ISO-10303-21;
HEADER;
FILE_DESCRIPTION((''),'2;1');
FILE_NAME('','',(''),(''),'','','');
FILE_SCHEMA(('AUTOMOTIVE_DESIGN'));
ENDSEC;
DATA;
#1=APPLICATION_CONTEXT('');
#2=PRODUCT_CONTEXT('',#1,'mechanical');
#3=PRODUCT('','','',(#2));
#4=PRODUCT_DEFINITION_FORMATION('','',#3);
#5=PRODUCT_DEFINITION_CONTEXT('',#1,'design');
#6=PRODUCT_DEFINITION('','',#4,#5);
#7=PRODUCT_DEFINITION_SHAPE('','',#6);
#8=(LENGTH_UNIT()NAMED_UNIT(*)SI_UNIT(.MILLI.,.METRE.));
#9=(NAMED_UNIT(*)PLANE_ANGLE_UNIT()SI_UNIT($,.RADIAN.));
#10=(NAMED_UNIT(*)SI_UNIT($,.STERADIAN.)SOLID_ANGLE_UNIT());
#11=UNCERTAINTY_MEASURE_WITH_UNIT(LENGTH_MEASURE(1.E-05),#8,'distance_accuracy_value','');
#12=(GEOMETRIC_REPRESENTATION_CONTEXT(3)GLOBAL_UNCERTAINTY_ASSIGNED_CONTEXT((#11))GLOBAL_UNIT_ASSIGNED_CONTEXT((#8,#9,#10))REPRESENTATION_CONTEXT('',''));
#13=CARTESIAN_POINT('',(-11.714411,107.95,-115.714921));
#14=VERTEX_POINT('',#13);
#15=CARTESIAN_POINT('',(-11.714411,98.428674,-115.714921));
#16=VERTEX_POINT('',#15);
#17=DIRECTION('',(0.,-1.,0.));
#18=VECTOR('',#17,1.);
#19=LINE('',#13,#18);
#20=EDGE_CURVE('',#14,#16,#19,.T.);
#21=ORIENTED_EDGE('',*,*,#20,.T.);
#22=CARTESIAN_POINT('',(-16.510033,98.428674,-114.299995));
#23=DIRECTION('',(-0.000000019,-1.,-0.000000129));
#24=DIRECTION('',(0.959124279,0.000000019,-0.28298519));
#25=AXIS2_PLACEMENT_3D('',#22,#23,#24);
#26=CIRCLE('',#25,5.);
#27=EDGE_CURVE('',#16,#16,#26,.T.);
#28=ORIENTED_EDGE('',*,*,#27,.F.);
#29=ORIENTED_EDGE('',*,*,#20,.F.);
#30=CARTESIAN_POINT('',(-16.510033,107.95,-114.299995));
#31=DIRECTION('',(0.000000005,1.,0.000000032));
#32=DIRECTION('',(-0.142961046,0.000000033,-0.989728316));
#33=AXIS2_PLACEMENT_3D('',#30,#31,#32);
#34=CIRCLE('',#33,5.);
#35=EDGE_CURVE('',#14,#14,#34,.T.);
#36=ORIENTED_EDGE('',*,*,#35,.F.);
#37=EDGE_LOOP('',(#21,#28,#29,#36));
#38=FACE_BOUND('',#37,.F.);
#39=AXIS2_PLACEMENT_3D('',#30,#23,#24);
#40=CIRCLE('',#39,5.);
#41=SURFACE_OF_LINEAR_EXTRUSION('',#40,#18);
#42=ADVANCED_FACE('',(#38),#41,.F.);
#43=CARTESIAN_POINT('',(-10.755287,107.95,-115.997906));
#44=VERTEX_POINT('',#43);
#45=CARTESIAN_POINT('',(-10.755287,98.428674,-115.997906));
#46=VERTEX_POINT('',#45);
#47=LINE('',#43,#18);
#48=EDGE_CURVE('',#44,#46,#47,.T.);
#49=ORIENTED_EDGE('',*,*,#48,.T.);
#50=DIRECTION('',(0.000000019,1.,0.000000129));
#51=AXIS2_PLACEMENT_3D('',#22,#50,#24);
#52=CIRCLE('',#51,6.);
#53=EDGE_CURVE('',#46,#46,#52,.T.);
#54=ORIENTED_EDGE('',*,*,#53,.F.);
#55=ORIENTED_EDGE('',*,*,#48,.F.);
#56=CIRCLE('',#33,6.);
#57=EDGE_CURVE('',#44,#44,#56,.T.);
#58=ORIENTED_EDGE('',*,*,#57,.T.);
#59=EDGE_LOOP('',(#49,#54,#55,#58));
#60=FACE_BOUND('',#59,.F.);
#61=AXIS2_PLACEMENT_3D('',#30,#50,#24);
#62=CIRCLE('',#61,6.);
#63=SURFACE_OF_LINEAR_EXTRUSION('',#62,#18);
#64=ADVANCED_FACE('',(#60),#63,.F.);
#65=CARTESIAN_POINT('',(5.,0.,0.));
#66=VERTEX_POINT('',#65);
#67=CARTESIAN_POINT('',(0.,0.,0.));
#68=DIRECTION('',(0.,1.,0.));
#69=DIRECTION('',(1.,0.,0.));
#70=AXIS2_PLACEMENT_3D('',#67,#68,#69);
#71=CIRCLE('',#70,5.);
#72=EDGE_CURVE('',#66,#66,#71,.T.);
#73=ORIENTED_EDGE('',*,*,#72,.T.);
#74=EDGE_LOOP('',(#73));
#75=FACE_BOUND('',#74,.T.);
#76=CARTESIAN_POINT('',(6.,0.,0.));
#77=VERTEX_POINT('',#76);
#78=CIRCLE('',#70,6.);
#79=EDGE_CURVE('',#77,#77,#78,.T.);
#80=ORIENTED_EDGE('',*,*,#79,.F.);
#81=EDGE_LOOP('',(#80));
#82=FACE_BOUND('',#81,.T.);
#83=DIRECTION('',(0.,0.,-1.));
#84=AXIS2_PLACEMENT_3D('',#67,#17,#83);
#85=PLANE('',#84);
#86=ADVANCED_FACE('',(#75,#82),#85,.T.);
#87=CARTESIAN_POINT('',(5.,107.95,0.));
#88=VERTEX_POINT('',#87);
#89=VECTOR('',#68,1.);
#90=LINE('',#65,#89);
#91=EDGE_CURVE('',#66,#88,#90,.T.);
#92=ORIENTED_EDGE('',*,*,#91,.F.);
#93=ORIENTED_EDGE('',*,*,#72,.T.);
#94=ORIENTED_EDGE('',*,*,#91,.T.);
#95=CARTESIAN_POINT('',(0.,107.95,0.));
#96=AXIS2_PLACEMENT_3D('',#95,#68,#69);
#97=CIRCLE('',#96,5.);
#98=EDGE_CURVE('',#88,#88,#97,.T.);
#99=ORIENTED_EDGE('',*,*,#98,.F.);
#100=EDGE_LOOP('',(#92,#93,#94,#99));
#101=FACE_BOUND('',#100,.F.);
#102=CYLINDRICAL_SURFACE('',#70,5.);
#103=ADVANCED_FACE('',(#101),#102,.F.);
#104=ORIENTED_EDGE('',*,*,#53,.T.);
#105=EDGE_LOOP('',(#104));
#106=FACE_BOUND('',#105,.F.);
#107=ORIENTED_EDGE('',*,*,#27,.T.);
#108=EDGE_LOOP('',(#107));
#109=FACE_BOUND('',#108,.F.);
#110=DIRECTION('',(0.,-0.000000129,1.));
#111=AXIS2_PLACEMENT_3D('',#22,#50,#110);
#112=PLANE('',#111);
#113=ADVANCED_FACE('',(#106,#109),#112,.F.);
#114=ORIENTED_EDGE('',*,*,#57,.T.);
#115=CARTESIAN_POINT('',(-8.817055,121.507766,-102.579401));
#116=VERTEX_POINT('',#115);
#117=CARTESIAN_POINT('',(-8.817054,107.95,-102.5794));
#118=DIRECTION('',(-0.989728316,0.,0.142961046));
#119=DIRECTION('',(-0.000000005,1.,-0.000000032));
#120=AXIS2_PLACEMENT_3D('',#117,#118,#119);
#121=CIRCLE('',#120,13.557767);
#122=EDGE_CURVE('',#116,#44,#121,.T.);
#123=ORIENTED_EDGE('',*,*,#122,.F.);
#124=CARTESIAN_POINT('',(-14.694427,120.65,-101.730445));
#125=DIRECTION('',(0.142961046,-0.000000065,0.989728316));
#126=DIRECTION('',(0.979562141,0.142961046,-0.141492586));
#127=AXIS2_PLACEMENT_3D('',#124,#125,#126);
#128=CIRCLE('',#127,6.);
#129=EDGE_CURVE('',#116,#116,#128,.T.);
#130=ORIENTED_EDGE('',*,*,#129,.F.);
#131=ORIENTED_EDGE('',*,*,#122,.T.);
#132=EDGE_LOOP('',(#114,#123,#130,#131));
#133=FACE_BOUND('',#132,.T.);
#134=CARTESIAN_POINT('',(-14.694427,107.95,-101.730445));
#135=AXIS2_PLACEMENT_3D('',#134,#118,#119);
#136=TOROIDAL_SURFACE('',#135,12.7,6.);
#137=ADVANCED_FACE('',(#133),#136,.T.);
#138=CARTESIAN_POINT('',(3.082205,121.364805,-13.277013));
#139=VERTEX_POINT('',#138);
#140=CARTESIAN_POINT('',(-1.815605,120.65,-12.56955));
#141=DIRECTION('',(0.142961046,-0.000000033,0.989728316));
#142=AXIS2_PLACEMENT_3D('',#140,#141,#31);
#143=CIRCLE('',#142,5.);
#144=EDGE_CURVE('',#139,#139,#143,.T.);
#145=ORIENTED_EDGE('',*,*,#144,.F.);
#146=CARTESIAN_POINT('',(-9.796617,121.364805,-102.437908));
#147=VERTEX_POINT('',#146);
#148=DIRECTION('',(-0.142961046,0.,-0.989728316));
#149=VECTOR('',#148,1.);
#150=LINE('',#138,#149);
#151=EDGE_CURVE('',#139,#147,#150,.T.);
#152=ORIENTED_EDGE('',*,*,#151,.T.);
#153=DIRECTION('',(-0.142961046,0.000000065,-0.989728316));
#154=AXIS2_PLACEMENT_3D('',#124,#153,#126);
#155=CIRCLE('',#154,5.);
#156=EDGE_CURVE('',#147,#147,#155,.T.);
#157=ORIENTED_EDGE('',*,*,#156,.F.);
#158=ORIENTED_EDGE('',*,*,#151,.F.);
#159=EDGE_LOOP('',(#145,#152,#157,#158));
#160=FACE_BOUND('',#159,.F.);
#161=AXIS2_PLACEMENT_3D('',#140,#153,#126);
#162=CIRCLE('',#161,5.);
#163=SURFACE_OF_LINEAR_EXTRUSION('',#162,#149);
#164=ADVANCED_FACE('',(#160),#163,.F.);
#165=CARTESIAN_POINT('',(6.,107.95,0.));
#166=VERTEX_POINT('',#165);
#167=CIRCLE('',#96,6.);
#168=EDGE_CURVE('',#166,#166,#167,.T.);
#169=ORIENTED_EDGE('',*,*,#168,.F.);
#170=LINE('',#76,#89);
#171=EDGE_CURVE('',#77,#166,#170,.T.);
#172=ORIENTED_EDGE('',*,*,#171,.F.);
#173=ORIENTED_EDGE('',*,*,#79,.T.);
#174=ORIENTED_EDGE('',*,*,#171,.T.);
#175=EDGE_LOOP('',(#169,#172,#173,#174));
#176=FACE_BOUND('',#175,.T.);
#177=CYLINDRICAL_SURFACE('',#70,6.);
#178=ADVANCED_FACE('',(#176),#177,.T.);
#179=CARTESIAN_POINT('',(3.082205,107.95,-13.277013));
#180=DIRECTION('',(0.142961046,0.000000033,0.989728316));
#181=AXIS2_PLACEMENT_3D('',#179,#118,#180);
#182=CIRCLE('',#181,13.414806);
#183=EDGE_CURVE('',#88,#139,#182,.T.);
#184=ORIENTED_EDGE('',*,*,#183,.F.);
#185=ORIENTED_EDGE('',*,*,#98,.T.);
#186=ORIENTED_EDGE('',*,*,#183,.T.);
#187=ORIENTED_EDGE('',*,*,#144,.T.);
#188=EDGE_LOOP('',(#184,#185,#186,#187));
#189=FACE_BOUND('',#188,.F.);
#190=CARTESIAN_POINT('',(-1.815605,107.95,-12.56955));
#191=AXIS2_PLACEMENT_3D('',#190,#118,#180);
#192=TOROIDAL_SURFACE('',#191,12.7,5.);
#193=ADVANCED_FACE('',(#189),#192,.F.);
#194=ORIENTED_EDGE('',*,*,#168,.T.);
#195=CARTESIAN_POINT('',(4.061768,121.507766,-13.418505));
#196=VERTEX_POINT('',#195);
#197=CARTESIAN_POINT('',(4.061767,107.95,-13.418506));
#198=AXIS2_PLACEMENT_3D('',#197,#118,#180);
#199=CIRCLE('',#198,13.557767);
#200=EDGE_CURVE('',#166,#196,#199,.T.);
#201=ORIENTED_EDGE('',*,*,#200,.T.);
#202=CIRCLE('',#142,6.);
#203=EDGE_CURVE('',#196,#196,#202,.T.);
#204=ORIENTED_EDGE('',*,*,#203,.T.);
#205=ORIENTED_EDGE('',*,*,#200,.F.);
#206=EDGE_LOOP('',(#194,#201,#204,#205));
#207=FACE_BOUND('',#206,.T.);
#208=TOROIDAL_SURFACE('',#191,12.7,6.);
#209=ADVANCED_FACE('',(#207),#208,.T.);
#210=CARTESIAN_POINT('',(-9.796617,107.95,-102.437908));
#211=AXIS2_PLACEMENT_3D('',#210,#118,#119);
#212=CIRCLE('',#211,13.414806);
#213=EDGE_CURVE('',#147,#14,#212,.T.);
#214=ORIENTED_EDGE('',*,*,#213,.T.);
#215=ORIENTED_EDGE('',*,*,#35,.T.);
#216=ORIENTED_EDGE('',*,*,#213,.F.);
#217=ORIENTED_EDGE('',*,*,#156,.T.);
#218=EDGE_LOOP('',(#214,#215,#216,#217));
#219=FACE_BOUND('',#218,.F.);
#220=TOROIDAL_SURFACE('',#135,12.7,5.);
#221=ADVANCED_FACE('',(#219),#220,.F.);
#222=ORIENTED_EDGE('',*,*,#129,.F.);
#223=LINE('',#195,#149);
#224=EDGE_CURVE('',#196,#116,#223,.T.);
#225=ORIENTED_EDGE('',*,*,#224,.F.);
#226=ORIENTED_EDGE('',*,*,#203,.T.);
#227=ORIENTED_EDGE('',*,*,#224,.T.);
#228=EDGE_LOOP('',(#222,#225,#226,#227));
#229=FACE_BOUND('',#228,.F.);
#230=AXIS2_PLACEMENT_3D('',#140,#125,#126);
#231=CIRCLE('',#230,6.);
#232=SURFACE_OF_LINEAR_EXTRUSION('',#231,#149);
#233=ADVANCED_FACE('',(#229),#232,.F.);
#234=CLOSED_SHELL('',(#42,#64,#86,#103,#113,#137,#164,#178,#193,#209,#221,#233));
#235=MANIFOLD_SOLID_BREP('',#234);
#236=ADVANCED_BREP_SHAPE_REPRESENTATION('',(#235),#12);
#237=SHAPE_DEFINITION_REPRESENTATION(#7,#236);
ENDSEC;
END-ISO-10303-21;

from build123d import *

# Parameters (mm, degrees)
F0_R   = 6
F0_R_2 = 5


with BuildPart() as f3:
    # F3: sweep along a path in F2
    with BuildLine(Plane(origin=(0, 0, 0), x_dir=(0, -1, 0), z_dir=(-0.989728, 0, 0.142961))) as f3_path:
        Line((0, 0), (-107.95, 0))
        ThreePointArc((-107.95, 0), (-116.930256, -3.719744), (-120.65, -12.7))
        Line((-120.65, -12.7), (-120.65, -102.786233))
        ThreePointArc((-120.65, -102.786233), (-116.930256, -111.766489), (-107.95, -115.486233))
        Line((-107.95, -115.486233), (-98.428674, -115.486233))
    # F0 (on Front) → F3 (sweep)
    with BuildSketch(Plane.XZ):
        Circle(F0_R)
        Circle(F0_R_2, mode=Mode.SUBTRACT)
    sweep(path=f3_path.line)


solid = f3.part
